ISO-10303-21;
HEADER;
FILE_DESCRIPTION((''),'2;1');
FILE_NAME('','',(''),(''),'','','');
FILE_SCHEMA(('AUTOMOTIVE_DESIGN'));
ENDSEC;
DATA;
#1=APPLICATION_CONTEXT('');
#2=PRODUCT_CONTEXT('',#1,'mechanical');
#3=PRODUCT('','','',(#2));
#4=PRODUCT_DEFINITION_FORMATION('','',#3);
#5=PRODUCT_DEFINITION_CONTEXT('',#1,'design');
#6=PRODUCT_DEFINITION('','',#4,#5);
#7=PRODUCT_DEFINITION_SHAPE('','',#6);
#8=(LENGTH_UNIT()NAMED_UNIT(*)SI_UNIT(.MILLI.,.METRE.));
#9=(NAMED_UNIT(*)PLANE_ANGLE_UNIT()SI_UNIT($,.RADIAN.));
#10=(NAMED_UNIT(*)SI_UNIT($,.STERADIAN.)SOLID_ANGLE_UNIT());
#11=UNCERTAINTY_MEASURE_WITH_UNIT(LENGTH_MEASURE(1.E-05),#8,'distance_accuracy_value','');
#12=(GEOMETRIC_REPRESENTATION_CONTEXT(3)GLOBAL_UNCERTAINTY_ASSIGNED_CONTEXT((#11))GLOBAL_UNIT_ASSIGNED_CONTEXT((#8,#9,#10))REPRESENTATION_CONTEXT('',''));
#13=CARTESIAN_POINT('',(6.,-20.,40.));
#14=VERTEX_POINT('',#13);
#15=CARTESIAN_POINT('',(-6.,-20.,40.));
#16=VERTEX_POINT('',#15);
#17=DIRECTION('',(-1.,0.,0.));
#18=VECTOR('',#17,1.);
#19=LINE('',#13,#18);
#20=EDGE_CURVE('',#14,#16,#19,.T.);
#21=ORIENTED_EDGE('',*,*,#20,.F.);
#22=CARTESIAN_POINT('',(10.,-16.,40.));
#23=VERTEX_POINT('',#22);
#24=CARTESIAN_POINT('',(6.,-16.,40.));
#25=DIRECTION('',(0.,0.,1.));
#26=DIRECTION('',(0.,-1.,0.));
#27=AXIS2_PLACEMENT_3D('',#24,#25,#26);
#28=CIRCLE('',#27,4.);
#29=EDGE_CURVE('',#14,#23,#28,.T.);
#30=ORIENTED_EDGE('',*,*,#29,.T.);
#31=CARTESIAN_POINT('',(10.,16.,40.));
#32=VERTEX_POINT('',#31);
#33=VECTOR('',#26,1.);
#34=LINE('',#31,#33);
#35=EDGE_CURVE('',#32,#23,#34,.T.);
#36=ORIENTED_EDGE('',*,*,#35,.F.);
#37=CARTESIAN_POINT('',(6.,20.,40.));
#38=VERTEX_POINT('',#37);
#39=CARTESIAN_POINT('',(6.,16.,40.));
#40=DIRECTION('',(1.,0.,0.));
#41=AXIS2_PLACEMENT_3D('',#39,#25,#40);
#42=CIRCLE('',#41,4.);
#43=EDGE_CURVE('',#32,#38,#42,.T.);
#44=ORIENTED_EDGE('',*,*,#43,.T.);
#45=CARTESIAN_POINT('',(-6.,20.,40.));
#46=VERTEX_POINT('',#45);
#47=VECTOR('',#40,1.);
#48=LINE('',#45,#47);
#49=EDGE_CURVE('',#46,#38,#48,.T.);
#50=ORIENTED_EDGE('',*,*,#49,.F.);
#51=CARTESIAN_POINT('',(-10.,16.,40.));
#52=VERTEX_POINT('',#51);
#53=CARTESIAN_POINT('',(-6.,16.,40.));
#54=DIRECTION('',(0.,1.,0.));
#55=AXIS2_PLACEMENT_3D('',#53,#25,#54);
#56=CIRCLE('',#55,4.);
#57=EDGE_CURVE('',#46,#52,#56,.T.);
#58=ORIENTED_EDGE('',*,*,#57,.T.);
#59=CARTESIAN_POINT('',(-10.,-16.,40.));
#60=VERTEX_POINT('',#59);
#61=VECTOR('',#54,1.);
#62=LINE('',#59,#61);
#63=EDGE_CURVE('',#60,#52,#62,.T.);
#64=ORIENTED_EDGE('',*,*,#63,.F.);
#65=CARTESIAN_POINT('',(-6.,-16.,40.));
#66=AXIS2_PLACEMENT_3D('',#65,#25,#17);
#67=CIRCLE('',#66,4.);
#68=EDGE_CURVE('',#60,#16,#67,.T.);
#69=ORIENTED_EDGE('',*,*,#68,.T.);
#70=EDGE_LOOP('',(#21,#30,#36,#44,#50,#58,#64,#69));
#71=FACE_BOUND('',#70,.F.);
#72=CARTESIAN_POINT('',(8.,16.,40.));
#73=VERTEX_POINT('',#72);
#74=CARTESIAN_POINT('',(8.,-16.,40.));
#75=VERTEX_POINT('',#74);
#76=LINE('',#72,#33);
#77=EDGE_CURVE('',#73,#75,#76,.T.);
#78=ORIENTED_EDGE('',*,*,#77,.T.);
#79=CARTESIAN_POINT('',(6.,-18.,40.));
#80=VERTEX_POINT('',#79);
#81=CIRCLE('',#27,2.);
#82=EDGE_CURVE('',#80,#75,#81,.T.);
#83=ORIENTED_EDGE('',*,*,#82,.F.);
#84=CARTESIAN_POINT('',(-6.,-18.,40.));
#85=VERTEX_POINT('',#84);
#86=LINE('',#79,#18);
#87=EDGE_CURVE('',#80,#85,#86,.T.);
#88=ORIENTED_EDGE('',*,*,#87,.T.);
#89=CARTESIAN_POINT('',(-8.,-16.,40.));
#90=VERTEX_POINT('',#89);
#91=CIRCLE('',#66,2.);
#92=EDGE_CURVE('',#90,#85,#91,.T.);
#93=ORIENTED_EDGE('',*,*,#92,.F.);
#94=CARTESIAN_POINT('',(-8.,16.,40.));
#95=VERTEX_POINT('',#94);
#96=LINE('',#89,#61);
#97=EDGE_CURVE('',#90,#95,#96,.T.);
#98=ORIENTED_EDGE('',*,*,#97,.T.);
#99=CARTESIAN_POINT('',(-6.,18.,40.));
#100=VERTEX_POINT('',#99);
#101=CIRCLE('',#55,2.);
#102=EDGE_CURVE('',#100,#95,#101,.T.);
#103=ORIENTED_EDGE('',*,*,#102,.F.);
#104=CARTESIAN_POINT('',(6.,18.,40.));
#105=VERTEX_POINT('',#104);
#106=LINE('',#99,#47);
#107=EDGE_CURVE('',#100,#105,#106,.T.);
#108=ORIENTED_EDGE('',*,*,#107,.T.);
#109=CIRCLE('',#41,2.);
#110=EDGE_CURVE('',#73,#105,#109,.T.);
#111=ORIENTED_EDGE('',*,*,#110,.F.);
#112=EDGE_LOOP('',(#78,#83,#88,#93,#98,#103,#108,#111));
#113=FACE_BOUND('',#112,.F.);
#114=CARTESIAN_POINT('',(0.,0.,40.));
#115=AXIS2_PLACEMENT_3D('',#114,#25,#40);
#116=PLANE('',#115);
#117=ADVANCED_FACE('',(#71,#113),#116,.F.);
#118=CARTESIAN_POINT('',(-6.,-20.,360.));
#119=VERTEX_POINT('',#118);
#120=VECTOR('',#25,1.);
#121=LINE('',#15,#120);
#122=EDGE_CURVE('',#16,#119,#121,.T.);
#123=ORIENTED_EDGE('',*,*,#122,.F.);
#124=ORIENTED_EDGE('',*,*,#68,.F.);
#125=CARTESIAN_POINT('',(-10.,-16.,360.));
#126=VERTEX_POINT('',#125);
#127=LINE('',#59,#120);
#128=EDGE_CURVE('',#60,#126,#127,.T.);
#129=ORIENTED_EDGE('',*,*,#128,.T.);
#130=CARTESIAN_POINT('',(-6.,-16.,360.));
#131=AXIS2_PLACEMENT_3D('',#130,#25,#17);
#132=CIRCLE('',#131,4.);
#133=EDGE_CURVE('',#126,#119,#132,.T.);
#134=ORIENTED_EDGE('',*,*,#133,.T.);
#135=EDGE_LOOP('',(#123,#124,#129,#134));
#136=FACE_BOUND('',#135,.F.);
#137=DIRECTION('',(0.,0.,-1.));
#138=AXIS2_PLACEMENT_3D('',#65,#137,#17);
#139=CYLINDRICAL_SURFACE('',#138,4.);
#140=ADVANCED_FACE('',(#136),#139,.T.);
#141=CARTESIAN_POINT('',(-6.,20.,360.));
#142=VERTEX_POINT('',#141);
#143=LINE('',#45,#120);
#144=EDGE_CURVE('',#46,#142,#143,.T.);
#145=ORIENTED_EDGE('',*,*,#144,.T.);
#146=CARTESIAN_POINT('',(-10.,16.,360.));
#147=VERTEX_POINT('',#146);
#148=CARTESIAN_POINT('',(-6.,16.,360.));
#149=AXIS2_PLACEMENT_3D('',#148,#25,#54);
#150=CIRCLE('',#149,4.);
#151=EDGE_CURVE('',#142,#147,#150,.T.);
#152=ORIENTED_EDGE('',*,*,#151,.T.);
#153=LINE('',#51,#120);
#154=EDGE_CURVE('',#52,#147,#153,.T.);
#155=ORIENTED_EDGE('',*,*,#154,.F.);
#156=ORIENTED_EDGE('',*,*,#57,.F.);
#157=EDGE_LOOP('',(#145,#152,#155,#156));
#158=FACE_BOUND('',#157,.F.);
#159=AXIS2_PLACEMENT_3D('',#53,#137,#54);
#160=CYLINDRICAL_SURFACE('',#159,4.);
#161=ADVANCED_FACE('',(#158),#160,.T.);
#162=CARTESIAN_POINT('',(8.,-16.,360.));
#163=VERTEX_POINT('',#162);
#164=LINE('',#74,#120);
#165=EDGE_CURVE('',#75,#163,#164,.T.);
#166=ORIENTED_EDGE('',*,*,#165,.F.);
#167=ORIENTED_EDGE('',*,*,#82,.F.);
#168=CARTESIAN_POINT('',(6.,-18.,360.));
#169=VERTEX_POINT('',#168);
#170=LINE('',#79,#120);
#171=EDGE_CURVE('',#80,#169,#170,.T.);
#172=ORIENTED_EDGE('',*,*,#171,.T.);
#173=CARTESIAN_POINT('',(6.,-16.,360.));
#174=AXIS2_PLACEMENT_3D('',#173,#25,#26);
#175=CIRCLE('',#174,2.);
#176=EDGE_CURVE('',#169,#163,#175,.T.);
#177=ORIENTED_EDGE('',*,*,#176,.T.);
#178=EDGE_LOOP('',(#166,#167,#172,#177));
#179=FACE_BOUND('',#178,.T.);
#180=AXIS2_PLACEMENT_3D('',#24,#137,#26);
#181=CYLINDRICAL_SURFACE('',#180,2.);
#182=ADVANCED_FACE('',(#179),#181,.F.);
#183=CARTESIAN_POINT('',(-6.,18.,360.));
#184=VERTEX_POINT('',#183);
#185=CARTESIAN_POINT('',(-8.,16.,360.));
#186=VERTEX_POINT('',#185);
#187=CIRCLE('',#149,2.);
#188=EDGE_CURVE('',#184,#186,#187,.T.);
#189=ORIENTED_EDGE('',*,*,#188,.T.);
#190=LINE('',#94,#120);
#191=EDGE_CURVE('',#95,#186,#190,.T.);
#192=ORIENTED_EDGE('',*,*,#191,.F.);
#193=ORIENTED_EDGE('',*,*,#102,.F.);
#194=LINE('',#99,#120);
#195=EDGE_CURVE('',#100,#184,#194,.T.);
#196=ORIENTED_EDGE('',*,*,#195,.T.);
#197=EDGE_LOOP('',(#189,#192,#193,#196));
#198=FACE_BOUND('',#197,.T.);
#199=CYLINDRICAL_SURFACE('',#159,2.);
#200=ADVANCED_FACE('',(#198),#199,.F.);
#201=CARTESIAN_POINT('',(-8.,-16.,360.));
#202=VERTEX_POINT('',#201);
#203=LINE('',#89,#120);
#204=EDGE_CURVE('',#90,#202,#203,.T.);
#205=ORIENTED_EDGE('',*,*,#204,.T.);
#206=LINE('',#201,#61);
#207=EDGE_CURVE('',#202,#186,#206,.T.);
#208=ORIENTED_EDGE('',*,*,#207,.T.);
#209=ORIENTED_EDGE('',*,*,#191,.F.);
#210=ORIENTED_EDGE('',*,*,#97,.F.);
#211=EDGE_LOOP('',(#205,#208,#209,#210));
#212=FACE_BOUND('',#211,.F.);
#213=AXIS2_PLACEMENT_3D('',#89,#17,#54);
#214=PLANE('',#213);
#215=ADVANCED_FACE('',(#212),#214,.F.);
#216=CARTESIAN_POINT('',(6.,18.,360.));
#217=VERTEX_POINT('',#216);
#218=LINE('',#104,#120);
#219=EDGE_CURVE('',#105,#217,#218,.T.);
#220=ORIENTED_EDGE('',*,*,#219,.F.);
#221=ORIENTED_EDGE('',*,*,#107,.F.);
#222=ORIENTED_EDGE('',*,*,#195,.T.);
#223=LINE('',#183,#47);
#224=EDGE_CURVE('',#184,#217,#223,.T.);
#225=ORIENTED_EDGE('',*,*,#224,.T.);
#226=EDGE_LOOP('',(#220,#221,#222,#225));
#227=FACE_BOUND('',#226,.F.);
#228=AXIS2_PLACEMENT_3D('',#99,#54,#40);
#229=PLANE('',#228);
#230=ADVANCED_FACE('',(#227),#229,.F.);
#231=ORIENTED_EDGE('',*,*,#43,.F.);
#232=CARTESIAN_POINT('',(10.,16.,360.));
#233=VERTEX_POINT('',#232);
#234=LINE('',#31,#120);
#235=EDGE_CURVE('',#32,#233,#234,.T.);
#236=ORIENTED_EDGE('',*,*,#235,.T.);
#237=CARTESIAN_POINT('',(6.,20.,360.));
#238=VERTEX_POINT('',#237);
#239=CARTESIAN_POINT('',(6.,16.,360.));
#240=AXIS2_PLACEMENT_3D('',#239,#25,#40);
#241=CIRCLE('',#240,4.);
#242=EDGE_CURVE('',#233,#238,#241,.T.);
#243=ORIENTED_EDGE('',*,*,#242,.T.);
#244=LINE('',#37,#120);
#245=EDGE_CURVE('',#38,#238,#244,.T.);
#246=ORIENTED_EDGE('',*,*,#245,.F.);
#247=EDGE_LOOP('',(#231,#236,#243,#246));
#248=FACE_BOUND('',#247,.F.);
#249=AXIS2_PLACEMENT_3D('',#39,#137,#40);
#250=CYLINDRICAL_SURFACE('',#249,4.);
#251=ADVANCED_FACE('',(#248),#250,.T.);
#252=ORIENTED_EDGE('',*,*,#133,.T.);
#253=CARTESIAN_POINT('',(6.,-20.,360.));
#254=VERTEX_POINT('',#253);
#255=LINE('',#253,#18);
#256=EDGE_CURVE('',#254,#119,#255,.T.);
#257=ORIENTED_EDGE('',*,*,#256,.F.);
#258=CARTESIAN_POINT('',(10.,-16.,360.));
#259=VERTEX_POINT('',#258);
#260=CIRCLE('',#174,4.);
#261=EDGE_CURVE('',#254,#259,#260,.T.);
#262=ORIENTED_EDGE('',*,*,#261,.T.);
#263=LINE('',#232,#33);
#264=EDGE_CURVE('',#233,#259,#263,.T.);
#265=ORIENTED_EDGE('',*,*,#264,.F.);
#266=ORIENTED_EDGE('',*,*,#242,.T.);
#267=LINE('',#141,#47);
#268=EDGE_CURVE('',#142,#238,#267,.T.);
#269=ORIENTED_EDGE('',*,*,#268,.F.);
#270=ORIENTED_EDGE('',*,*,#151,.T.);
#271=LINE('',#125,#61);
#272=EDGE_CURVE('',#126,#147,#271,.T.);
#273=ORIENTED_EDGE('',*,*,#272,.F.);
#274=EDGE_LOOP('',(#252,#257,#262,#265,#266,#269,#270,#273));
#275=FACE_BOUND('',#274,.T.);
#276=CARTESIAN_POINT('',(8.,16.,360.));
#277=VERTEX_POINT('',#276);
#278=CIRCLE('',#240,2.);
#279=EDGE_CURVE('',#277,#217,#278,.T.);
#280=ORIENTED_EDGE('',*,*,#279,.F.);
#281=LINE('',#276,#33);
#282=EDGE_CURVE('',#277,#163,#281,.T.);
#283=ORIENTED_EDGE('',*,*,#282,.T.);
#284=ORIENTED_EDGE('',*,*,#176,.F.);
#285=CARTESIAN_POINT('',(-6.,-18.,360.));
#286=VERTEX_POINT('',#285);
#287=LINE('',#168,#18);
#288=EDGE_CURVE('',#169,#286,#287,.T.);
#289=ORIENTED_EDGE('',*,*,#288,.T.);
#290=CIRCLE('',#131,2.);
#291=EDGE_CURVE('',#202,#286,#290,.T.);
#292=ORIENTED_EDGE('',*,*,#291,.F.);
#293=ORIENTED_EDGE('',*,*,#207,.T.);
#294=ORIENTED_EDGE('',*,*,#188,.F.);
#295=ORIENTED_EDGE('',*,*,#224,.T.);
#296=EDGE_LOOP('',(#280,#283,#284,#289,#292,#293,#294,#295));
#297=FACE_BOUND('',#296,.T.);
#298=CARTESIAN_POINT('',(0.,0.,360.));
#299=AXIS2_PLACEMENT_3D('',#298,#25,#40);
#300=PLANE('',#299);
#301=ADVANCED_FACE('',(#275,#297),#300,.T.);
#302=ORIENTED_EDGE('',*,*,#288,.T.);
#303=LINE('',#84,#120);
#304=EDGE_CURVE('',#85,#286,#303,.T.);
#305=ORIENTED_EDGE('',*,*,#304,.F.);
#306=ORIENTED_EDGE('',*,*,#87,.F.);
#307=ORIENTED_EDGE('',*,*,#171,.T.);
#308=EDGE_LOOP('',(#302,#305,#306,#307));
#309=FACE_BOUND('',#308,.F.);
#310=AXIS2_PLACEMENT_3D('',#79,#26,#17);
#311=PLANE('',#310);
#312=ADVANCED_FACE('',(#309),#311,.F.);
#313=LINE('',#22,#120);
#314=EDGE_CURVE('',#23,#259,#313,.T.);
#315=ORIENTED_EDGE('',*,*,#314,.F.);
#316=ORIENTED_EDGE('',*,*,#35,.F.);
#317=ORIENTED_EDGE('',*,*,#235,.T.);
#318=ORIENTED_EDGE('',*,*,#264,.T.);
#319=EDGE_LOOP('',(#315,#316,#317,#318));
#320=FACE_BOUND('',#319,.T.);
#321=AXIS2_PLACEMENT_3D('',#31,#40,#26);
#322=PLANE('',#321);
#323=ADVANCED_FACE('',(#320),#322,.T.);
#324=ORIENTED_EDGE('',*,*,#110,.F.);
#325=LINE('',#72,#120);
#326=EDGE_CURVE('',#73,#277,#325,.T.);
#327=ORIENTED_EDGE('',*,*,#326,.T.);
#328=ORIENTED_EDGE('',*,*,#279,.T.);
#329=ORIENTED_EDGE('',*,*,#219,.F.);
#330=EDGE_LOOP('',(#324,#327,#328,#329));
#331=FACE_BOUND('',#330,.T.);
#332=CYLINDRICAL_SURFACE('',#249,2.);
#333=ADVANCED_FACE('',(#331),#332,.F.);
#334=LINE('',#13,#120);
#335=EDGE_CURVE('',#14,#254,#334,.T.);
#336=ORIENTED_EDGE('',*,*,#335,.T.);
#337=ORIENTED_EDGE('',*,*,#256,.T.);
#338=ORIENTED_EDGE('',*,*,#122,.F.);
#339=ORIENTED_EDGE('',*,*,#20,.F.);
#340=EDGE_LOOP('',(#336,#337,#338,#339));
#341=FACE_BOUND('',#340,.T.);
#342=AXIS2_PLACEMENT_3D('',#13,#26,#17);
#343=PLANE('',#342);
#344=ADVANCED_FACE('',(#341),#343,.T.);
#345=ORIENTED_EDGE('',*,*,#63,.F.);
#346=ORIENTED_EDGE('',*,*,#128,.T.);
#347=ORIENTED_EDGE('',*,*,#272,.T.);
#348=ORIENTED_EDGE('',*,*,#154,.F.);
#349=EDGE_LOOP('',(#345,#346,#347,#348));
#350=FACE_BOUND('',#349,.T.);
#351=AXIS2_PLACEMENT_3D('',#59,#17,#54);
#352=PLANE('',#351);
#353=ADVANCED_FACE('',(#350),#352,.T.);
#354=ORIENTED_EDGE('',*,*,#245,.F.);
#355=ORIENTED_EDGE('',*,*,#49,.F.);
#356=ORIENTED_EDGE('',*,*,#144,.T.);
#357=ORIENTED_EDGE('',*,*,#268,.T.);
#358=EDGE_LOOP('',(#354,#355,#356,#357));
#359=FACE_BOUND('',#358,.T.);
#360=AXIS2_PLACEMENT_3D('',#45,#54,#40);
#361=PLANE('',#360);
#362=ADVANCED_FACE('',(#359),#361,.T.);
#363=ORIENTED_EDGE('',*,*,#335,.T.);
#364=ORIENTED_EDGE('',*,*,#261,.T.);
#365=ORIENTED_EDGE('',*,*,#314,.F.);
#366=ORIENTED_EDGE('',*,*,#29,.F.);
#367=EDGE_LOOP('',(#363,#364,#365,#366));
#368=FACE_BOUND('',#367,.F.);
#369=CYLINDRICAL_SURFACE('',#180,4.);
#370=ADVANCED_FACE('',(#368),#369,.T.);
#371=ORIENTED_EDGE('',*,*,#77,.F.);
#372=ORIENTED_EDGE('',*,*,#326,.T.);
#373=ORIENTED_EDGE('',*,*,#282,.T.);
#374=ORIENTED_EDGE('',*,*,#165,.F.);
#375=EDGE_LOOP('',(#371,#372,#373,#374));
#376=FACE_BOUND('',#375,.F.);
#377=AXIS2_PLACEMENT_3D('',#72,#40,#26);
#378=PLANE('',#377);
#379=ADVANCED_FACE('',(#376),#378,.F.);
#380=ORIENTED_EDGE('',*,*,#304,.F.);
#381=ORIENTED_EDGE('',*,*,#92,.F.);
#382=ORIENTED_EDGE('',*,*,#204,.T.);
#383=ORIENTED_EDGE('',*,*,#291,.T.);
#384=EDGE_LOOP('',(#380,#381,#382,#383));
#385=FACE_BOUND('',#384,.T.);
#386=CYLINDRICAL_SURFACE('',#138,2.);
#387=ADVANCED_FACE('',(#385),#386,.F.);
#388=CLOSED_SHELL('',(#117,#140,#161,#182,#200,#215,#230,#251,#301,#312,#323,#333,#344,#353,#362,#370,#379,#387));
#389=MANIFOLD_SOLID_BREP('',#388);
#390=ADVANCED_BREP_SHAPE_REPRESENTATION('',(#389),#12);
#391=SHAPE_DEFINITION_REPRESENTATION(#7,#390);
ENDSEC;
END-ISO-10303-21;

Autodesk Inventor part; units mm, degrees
ref_plane "YZ Plane" through (0, 0, 0) normal (1, 0, 0) x (0, 1, 0)
ref_plane "Start Plane" through (0, 0, 40) normal (0, 0, 1) x (1, 0, 0)
ref_plane "End Plane" through (0, 0, 360) normal (0, 0, 1) x (1, 0, 0)
sketch "Sketch" plane through (0, 0, 0) normal (0, 0, 1) x (1, 0, 0)
  line L0 (-10, -16) -> (-10, 16)
  line L1 (-6, 20) -> (6, 20)
  line L2 (10, 16) -> (10, -16)
  line L3 (6, -20) -> (-6, -20)
  arc A0 (-10, -16) -> (-6, -20) centre (-6, -16) ccw
  arc A1 (10, 16) -> (6, 20) centre (6, 16) ccw
  arc A2 (-6, 20) -> (-10, 16) centre (-6, 16) ccw
  arc A3 (6, -20) -> (10, -16) centre (6, -16) ccw
  arc A4 (-6, 18) -> (-8, 16) centre (-6, 16) ccw
  line L4 (-6, 18) -> (6, 18)
  arc A5 (8, 16) -> (6, 18) centre (6, 16) ccw
  line L5 (8, 16) -> (8, -16)
  arc A6 (6, -18) -> (8, -16) centre (6, -16) ccw
  line L6 (6, -18) -> (-6, -18)
  arc A7 (-8, -16) -> (-6, -18) centre (-6, -16) ccw
  line L7 (-8, -16) -> (-8, 16)
  line L8 (0, 29.1598) -> (0, -29.1598) construction
  line L9 (-15.1598, 0) -> (15.1598, 0) construction
  dimension "d7" = 4
  dimension "d9" = 20
  dimension "d11" = 40
  dimension "d12" = 2
  dimension "d15" = 10
  dimension "d16" = 20
extrude "Body" add sketch "Sketch" along normal up to surface (320 mm away) from surface at 40
sketch "Sketch3" plane through (0, 0, 0) normal (0, 0, 1) x (1, 0, 0)
  line L0 (0, 0) -> (10, 0)
ref_plane "Work Plane3" through (0, 0, 0) normal (0, -1, 0) x (1, 0, 0)
sketch "Sketch4" plane through (0, 0, 0) normal (0, -1, 0) x (1, 0, 0)
  line L0 (-2, 40) -> (12, 40) projected
  line L1 (-2, 360) -> (12, 360) projected
  dimension "d18" = 320
equation "\"d7\" = G_IR"
equation "\"d9\" = G_W"
equation "\"d11\" = G_H"
equation "\"d12\" = G_T"
equation "\"d15\" = 0.5 * d9"
equation "\"d16\" = 0.5 * d11"
equation "\"d3\" = G_L"
equation "\"G_W\" = 20"
equation "\"G_H\" = 40"
equation "\"G_T\" = 2"
equation "\"G_IR\" = 4"
equation "\"G_L\" = d18"
properties part number "ISO 4019 - 40x20x2 - 320" material "Steel, Mild"
